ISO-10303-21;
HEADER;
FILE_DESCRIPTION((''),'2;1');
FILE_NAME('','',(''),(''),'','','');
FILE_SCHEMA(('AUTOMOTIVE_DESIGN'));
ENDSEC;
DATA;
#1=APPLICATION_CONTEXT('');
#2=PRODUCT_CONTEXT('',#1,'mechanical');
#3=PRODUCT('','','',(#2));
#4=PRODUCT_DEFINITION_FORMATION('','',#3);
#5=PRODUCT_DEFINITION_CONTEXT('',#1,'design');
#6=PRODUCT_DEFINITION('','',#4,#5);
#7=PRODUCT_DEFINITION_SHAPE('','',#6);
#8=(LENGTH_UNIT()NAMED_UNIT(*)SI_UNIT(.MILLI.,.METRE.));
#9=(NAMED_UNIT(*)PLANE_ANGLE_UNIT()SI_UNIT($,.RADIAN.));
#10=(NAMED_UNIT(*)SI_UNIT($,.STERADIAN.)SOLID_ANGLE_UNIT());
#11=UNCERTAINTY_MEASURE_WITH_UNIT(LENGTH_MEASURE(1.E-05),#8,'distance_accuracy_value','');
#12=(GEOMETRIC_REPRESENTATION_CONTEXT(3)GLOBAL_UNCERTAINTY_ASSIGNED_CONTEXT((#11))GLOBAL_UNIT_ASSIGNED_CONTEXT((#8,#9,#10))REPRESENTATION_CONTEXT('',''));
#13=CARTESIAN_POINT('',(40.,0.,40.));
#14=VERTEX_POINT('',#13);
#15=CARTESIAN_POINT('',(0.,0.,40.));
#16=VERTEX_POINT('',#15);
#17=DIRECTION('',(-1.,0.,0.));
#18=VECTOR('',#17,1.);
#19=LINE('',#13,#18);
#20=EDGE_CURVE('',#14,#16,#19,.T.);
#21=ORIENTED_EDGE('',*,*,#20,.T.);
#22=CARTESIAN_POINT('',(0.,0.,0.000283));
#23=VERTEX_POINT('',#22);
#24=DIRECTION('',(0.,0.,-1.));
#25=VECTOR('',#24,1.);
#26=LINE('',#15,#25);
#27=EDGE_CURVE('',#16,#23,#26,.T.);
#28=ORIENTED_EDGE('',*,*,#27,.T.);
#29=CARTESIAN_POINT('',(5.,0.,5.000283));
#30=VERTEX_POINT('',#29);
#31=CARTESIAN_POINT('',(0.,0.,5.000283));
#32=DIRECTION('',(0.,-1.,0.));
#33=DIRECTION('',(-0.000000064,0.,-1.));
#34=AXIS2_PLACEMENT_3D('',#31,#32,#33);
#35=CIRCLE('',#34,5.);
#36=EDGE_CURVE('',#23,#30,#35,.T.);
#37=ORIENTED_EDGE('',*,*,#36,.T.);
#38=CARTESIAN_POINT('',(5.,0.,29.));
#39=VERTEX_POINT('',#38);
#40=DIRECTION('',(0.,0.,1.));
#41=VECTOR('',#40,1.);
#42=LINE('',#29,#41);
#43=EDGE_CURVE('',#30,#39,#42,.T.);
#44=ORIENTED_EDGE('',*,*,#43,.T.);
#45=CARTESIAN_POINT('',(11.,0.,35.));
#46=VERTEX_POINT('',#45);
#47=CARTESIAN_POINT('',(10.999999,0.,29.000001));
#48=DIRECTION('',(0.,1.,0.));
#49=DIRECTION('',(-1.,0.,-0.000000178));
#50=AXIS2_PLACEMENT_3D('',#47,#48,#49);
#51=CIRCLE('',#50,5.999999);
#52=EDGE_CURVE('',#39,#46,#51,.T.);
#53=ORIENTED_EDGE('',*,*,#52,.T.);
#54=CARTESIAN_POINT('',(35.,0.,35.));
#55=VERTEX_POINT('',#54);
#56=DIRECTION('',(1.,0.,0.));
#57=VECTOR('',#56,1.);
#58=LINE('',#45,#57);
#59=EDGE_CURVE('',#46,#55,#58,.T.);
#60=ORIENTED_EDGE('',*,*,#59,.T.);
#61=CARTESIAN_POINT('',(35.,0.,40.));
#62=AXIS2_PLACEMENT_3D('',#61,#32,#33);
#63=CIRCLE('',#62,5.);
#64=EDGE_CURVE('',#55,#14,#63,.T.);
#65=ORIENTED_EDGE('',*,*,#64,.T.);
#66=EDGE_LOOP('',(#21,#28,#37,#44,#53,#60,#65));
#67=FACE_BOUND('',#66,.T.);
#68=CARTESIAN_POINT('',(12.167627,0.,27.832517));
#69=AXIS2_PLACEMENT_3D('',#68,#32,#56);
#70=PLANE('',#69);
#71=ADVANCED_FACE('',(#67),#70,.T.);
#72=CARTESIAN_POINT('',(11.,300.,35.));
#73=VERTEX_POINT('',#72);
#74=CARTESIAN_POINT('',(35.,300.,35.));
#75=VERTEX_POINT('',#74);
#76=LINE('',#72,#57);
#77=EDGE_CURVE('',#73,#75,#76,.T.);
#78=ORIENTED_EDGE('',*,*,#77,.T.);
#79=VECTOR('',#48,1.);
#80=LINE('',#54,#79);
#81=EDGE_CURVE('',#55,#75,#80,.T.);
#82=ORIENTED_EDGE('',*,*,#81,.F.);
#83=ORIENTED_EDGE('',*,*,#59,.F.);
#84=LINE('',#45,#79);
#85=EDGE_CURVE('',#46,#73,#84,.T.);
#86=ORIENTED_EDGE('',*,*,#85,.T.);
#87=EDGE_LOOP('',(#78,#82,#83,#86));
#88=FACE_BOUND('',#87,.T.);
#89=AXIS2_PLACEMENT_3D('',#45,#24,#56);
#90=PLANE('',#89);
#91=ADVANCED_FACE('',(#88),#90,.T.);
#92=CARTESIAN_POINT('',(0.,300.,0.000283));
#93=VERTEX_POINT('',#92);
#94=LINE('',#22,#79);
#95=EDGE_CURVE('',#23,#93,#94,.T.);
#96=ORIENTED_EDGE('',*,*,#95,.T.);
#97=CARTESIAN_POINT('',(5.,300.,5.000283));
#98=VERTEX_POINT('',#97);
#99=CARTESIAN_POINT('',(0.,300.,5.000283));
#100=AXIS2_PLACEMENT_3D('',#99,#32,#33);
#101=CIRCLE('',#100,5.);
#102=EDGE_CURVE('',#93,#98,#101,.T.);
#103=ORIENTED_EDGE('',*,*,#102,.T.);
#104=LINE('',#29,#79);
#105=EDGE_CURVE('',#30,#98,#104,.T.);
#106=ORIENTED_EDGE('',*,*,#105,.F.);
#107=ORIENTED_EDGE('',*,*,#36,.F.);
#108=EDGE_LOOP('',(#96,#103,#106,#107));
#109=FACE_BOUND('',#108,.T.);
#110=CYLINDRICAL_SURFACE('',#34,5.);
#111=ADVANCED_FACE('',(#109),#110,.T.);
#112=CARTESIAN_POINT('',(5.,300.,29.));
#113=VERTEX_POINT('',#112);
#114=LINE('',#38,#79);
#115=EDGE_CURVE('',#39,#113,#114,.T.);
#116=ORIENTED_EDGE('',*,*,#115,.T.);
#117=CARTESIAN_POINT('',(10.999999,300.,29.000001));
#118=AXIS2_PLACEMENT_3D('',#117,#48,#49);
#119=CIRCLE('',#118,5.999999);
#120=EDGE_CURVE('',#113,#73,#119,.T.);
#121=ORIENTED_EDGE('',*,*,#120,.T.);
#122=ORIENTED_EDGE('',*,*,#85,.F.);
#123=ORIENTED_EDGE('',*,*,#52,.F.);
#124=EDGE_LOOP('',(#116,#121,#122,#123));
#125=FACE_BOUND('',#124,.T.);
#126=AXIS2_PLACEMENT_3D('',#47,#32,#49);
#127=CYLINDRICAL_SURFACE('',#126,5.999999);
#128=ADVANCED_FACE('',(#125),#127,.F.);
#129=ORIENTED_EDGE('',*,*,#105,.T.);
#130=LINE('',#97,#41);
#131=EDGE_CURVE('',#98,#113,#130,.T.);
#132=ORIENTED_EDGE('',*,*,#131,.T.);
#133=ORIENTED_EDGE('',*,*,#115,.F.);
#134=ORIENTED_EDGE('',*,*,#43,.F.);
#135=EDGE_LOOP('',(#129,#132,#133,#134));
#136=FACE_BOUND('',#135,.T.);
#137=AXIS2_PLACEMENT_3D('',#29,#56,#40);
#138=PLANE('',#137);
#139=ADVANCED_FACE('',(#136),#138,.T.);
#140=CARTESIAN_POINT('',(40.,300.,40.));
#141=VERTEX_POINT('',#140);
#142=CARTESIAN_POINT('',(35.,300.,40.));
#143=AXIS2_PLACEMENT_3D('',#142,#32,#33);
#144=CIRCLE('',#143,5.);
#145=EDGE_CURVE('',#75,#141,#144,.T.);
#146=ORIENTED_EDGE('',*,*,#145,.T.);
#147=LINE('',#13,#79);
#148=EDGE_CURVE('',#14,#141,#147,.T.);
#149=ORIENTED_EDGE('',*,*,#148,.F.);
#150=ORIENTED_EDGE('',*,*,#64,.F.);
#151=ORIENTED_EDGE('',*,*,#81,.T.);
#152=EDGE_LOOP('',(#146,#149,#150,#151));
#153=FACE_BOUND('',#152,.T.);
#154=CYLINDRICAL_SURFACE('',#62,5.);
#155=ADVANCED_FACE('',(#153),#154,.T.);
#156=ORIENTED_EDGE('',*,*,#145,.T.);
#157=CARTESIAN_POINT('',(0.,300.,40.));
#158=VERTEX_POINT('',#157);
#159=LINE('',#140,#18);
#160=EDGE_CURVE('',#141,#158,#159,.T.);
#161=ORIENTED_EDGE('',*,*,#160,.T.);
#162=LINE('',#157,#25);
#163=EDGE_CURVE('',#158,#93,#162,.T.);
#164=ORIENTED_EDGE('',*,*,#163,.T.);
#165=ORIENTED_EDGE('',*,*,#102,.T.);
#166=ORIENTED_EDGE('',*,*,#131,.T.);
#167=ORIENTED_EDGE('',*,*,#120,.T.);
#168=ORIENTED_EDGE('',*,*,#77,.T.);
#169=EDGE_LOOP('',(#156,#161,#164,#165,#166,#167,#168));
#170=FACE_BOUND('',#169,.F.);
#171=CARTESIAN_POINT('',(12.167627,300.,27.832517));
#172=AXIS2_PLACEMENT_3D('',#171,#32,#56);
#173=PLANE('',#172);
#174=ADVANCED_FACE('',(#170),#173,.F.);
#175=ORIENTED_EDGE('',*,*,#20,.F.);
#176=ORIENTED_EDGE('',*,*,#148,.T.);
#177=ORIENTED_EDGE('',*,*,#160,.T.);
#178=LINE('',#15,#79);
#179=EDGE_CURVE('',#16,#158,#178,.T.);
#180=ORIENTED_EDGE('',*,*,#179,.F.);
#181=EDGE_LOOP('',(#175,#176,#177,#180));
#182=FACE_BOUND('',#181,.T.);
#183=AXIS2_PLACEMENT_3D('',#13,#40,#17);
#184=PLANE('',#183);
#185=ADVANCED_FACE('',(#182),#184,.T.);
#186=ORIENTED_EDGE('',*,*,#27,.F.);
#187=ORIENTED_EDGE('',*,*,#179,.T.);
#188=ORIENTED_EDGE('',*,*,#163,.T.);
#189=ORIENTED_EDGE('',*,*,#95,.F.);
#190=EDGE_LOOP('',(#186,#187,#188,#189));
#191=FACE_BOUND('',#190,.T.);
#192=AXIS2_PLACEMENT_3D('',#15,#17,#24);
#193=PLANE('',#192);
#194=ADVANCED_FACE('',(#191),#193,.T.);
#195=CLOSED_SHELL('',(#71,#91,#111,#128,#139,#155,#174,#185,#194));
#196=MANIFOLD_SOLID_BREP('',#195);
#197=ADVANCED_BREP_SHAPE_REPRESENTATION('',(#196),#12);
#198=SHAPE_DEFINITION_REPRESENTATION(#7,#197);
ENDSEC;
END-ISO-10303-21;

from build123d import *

# Parameters (mm, degrees)
F1_DEPTH = 300


with BuildPart() as f1:
    # F0 (on Front) → F1 (new body)
    with BuildSketch(Plane.XZ):
        with BuildLine():
            Line((0, 40), (0, 0.000283))
            ThreePointArc((0, 0.000283), (3.535534, 1.464749), (5, 5.000283))
            Line((5, 5.000283), (5, 29))
            ThreePointArc((5, 29), (6.757359, 33.242641), (11, 35))
            Line((11, 35), (35, 35))
            ThreePointArc((35, 35), (38.535534, 36.464466), (40, 40))
            Line((40, 40), (0, 40))
        make_face()
    extrude(amount=-F1_DEPTH)


solid = f1.part
